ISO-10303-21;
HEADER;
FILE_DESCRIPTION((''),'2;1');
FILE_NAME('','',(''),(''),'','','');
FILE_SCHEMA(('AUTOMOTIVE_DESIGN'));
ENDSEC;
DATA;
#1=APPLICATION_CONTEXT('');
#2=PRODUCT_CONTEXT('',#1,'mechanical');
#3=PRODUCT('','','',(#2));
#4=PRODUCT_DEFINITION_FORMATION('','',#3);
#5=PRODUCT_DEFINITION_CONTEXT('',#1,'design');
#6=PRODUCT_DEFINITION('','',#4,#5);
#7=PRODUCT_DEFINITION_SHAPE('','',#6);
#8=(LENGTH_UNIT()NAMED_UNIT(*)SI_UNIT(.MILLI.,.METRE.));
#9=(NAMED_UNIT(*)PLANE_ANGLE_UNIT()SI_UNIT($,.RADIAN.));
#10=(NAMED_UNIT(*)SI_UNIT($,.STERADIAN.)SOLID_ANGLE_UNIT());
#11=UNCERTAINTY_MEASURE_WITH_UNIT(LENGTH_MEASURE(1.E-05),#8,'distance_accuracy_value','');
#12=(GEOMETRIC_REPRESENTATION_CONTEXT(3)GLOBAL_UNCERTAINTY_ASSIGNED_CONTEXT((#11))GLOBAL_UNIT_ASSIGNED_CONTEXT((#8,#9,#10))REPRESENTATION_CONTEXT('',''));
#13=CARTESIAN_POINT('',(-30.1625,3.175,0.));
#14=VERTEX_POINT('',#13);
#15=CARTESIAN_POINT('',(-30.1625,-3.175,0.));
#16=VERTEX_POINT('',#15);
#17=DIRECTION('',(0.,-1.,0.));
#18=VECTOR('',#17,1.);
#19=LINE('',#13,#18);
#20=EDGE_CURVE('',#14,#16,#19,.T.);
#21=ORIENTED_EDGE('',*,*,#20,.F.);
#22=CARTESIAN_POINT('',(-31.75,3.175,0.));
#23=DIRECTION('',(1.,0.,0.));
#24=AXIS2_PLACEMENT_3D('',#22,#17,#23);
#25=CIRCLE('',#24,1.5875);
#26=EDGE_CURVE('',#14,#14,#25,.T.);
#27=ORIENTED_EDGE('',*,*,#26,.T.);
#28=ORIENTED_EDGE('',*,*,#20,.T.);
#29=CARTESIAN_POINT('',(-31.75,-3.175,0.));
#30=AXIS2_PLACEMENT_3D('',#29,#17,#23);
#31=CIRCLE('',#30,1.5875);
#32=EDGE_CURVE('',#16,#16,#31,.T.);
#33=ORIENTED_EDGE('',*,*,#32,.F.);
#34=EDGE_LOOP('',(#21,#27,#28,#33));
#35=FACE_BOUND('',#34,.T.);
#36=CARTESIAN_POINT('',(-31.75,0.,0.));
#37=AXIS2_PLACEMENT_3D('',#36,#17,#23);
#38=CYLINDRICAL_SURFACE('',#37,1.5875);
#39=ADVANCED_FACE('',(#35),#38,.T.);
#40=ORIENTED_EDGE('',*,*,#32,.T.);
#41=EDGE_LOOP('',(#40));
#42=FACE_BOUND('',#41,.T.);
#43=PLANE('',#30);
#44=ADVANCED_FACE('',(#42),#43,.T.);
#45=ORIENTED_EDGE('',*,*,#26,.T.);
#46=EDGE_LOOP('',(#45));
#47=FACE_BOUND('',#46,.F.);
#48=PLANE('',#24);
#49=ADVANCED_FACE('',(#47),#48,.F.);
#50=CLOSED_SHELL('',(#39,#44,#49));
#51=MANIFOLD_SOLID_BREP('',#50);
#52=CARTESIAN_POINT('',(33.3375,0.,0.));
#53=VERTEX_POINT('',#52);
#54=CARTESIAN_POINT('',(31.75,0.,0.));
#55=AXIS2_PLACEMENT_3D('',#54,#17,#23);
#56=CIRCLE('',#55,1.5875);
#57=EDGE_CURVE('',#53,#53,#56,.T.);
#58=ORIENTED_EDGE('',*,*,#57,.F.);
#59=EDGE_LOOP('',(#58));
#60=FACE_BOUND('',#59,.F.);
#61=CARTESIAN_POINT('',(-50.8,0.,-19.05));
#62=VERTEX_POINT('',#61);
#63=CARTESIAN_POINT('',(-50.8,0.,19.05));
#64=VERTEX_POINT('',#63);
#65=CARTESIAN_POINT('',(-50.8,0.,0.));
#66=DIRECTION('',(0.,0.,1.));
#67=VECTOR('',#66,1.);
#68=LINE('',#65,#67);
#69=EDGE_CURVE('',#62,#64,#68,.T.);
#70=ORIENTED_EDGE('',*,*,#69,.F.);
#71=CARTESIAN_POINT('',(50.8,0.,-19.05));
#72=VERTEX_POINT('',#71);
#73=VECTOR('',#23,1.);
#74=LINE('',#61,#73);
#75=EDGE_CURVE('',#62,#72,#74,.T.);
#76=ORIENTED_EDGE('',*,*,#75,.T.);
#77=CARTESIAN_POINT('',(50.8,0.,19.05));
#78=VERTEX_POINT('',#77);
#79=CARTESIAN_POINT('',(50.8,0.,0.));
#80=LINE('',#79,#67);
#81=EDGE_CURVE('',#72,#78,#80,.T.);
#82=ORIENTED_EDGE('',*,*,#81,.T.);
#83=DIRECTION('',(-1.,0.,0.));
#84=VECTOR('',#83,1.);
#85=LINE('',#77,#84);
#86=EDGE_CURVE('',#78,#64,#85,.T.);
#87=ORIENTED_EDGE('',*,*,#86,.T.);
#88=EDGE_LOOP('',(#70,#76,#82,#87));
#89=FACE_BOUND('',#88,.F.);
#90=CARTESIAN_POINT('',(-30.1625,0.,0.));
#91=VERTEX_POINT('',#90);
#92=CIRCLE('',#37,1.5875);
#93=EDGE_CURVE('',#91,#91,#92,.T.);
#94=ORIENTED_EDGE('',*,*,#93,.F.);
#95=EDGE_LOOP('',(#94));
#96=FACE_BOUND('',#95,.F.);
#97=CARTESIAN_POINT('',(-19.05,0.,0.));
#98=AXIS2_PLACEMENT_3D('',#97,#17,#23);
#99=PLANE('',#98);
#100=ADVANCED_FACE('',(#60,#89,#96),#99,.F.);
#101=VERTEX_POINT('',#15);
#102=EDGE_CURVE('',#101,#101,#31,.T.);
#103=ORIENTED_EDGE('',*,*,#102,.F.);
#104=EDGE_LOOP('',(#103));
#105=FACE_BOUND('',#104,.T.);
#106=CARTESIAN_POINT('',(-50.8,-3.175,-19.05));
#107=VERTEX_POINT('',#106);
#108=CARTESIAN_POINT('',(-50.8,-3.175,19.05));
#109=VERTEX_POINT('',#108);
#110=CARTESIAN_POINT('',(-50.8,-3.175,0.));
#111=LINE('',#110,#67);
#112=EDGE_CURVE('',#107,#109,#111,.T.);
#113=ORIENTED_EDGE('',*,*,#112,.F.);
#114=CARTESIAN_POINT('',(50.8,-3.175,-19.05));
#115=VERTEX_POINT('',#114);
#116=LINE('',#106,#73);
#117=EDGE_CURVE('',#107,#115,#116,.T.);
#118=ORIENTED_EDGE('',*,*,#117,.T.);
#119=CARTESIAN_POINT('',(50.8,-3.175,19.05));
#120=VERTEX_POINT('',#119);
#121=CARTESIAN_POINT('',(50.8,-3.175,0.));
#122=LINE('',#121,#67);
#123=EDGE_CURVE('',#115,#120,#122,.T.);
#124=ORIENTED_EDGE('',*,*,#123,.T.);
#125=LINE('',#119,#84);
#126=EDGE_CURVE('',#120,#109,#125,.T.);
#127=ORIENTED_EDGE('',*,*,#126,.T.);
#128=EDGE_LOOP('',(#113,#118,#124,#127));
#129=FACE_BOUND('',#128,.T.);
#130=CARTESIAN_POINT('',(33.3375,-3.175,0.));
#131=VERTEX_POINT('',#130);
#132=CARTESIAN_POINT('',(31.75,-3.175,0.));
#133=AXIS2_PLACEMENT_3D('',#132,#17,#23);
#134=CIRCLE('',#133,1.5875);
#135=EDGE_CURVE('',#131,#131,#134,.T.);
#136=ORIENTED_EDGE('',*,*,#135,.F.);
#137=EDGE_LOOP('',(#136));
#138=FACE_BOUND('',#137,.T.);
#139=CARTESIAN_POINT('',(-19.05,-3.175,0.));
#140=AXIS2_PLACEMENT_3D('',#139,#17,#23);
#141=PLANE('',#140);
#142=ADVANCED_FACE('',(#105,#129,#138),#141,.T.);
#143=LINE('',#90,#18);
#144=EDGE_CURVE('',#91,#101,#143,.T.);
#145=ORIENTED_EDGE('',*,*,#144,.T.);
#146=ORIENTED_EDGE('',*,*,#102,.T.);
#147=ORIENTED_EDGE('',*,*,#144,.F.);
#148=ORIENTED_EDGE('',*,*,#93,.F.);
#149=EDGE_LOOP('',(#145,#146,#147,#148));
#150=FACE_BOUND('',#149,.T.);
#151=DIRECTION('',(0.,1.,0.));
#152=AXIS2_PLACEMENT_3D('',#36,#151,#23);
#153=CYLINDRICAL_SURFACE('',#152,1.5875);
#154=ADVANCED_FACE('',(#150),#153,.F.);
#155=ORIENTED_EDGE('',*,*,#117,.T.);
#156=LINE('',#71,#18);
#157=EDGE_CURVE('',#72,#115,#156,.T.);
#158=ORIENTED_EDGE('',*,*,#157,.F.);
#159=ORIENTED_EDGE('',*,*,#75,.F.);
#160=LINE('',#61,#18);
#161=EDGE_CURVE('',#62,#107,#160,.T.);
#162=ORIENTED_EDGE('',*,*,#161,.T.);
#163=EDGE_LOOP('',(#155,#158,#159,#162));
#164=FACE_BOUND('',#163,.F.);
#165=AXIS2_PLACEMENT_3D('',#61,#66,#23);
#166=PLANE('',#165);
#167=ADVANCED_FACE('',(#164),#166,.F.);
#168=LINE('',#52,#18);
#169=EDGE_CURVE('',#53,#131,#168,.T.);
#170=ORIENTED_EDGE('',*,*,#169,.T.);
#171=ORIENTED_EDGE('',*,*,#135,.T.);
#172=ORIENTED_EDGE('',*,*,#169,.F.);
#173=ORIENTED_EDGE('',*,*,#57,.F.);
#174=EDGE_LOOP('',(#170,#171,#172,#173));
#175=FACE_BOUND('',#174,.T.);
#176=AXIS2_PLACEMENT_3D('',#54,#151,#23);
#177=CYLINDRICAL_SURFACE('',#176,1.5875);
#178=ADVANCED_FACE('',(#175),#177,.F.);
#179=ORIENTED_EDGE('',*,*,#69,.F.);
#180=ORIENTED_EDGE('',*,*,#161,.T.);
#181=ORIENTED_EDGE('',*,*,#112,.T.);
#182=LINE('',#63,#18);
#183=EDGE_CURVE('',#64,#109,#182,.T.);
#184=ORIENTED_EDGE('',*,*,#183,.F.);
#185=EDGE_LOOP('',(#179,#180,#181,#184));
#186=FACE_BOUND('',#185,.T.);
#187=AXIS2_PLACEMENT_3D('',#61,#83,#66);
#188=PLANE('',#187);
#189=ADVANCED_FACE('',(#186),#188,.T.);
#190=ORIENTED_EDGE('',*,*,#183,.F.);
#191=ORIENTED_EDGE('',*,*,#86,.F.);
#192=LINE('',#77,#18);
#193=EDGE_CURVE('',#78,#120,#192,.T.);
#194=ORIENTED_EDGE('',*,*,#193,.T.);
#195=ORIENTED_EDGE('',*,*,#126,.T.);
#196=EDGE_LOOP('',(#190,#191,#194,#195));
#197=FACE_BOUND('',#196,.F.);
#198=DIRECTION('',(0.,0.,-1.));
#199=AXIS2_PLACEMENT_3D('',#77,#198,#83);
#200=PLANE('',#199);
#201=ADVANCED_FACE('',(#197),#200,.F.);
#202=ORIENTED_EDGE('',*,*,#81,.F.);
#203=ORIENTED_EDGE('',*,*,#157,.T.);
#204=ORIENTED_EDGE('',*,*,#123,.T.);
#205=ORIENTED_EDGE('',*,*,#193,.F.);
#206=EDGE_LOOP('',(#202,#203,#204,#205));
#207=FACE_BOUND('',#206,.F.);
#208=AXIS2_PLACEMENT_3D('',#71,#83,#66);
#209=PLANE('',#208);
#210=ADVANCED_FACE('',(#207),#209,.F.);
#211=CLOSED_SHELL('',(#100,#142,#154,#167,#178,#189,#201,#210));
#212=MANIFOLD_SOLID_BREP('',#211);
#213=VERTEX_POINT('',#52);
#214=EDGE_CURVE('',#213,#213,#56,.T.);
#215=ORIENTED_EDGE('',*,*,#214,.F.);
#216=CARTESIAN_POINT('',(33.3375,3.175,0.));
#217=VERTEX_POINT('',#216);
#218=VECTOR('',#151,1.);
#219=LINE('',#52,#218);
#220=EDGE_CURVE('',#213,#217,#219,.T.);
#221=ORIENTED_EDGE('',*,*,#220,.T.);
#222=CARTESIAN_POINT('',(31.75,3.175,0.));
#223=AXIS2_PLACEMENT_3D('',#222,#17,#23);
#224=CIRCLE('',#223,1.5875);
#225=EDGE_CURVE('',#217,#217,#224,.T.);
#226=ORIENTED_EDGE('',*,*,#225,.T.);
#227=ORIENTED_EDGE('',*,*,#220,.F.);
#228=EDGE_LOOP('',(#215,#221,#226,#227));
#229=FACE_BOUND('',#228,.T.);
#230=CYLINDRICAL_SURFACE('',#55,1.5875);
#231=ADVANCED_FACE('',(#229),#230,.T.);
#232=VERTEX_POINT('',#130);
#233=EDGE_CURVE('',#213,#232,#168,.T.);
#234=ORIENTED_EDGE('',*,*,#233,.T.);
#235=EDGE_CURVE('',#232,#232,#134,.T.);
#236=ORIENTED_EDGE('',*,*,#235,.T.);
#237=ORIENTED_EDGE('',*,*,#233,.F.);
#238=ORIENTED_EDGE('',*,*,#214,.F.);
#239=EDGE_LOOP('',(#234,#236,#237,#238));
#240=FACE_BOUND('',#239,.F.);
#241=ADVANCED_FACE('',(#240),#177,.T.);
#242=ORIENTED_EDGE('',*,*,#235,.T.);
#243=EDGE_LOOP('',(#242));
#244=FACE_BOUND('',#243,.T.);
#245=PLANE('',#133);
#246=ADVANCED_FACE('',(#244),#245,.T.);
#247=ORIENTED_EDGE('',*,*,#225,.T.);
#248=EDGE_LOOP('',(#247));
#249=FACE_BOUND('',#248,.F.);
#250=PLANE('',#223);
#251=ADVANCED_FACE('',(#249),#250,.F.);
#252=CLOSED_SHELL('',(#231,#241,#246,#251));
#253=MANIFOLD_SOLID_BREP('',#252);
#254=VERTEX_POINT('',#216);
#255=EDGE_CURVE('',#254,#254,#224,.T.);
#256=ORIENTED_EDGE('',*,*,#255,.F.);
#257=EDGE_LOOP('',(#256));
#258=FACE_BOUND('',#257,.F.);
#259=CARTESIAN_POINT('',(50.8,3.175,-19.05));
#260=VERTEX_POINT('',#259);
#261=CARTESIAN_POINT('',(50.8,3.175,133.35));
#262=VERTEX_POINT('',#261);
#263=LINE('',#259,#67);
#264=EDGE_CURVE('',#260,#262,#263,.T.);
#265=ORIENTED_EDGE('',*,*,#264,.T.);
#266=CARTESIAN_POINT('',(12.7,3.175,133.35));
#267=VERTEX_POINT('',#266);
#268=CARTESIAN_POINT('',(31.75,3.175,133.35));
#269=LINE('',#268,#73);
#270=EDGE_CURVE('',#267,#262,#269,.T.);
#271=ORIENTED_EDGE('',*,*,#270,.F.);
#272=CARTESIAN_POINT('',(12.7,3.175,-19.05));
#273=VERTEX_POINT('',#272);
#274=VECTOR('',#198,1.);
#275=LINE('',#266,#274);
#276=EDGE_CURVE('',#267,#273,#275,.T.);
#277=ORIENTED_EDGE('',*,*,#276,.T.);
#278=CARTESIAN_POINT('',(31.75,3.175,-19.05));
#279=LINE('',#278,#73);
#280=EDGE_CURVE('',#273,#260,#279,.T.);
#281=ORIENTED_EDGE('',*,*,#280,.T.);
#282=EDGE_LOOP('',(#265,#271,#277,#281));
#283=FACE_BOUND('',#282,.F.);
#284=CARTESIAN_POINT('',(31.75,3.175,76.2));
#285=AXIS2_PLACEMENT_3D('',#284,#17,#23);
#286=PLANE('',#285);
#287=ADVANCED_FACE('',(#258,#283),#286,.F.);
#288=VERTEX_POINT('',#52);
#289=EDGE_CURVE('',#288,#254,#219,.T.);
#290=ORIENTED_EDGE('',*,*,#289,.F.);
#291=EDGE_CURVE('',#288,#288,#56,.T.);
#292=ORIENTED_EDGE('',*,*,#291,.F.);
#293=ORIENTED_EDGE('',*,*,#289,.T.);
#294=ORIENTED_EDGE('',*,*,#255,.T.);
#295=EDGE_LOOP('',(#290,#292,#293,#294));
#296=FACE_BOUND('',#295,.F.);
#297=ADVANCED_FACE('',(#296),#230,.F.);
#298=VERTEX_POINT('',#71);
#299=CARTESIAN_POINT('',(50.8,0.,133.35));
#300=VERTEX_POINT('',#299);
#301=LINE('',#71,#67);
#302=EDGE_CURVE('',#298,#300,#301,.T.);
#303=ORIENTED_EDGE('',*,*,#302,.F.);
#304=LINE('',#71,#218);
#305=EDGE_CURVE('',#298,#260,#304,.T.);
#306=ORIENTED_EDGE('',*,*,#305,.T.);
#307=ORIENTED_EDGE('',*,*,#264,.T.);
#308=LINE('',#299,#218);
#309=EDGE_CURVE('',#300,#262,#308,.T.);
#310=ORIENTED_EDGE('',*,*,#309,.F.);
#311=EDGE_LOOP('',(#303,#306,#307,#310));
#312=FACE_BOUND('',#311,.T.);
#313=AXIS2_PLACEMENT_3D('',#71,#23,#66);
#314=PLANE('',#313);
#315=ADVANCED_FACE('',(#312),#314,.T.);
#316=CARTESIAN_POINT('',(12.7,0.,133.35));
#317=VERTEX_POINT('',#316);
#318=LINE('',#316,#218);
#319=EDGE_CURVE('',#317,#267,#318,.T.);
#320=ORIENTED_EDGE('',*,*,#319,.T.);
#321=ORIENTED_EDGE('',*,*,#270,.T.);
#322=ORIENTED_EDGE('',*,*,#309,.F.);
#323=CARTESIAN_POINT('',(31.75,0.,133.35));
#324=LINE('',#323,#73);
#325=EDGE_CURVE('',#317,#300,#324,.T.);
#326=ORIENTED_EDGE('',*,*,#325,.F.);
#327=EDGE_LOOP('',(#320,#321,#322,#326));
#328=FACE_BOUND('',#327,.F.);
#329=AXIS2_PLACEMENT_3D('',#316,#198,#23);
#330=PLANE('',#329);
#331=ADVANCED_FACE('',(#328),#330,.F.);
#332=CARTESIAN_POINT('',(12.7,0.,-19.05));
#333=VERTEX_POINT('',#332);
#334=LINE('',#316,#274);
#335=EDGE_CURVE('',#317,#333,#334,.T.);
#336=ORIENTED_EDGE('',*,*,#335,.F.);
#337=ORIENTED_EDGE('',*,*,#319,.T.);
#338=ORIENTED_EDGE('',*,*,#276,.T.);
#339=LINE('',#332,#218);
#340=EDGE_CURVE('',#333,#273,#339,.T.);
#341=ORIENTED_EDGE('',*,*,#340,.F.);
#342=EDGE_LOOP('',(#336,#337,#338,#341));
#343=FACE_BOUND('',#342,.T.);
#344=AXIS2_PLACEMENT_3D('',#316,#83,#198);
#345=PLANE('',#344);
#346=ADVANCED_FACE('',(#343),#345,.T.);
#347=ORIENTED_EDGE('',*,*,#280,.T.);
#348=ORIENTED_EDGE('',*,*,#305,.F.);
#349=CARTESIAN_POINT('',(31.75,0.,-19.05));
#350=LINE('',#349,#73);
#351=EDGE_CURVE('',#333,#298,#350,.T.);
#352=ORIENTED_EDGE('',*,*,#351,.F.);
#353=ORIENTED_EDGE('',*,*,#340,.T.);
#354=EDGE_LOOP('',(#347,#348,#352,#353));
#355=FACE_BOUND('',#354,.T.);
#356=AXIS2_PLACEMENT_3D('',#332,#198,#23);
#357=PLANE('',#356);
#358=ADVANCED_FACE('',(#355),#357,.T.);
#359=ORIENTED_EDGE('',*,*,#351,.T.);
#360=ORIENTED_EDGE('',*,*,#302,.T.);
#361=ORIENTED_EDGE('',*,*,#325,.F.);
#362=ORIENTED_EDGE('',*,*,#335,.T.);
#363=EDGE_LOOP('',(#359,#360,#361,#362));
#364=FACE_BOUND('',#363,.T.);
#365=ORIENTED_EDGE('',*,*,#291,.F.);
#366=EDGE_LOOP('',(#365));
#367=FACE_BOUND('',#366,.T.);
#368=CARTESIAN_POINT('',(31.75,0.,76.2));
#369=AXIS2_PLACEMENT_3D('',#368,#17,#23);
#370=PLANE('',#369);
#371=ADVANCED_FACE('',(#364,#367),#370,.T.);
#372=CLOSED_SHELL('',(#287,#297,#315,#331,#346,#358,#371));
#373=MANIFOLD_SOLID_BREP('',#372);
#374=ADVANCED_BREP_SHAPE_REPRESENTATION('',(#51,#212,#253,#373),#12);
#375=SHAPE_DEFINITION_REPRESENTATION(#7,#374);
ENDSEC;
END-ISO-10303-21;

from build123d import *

# Parameters (mm, degrees)
F0_W     = 63.5
F0_H     = 38.1
F0_R     = 1.5875
F0_W_2   = 38.1
F1_DEPTH = 3.175
F0_H_2   = 114.3
F2_DEPTH = 3.175
F3_DEPTH = 3.175


with BuildPart() as f1:
    # F0 (on Front) → F1 (new body)
    with BuildSketch(Plane.XZ):
        with Locations((-19.05, 0)):
            Rectangle(F0_W, F0_H)
        with Locations((-31.75, 0)):
            Circle(F0_R, mode=Mode.SUBTRACT)
        with Locations((31.75, 0)):
            Rectangle(F0_W_2, F0_H)
        with Locations((31.75, 0)):
            Circle(F0_R, mode=Mode.SUBTRACT)
    extrude(amount=F1_DEPTH)


with BuildPart() as f2:
    # F0 (on Front) → F2 (new body)
    with BuildSketch(Plane.XZ):
        with Locations((31.75, 76.2)):
            Rectangle(F0_W_2, F0_H_2)
        with Locations((31.75, 0)):
            Rectangle(F0_W_2, F0_H)
        with Locations((31.75, 0)):
            Circle(F0_R, mode=Mode.SUBTRACT)
    extrude(amount=-F2_DEPTH)


with BuildPart() as f3:
    # F0 (on Front) → F3 (new body, symmetric)
    with BuildSketch(Plane.XZ):
        with Locations((31.75, 0)):
            Circle(F0_R)
        with Locations((-31.75, 0)):
            Circle(F0_R)
    extrude(amount=F3_DEPTH, both=True)


solid = Compound([f1.part, f2.part, f3.part])
